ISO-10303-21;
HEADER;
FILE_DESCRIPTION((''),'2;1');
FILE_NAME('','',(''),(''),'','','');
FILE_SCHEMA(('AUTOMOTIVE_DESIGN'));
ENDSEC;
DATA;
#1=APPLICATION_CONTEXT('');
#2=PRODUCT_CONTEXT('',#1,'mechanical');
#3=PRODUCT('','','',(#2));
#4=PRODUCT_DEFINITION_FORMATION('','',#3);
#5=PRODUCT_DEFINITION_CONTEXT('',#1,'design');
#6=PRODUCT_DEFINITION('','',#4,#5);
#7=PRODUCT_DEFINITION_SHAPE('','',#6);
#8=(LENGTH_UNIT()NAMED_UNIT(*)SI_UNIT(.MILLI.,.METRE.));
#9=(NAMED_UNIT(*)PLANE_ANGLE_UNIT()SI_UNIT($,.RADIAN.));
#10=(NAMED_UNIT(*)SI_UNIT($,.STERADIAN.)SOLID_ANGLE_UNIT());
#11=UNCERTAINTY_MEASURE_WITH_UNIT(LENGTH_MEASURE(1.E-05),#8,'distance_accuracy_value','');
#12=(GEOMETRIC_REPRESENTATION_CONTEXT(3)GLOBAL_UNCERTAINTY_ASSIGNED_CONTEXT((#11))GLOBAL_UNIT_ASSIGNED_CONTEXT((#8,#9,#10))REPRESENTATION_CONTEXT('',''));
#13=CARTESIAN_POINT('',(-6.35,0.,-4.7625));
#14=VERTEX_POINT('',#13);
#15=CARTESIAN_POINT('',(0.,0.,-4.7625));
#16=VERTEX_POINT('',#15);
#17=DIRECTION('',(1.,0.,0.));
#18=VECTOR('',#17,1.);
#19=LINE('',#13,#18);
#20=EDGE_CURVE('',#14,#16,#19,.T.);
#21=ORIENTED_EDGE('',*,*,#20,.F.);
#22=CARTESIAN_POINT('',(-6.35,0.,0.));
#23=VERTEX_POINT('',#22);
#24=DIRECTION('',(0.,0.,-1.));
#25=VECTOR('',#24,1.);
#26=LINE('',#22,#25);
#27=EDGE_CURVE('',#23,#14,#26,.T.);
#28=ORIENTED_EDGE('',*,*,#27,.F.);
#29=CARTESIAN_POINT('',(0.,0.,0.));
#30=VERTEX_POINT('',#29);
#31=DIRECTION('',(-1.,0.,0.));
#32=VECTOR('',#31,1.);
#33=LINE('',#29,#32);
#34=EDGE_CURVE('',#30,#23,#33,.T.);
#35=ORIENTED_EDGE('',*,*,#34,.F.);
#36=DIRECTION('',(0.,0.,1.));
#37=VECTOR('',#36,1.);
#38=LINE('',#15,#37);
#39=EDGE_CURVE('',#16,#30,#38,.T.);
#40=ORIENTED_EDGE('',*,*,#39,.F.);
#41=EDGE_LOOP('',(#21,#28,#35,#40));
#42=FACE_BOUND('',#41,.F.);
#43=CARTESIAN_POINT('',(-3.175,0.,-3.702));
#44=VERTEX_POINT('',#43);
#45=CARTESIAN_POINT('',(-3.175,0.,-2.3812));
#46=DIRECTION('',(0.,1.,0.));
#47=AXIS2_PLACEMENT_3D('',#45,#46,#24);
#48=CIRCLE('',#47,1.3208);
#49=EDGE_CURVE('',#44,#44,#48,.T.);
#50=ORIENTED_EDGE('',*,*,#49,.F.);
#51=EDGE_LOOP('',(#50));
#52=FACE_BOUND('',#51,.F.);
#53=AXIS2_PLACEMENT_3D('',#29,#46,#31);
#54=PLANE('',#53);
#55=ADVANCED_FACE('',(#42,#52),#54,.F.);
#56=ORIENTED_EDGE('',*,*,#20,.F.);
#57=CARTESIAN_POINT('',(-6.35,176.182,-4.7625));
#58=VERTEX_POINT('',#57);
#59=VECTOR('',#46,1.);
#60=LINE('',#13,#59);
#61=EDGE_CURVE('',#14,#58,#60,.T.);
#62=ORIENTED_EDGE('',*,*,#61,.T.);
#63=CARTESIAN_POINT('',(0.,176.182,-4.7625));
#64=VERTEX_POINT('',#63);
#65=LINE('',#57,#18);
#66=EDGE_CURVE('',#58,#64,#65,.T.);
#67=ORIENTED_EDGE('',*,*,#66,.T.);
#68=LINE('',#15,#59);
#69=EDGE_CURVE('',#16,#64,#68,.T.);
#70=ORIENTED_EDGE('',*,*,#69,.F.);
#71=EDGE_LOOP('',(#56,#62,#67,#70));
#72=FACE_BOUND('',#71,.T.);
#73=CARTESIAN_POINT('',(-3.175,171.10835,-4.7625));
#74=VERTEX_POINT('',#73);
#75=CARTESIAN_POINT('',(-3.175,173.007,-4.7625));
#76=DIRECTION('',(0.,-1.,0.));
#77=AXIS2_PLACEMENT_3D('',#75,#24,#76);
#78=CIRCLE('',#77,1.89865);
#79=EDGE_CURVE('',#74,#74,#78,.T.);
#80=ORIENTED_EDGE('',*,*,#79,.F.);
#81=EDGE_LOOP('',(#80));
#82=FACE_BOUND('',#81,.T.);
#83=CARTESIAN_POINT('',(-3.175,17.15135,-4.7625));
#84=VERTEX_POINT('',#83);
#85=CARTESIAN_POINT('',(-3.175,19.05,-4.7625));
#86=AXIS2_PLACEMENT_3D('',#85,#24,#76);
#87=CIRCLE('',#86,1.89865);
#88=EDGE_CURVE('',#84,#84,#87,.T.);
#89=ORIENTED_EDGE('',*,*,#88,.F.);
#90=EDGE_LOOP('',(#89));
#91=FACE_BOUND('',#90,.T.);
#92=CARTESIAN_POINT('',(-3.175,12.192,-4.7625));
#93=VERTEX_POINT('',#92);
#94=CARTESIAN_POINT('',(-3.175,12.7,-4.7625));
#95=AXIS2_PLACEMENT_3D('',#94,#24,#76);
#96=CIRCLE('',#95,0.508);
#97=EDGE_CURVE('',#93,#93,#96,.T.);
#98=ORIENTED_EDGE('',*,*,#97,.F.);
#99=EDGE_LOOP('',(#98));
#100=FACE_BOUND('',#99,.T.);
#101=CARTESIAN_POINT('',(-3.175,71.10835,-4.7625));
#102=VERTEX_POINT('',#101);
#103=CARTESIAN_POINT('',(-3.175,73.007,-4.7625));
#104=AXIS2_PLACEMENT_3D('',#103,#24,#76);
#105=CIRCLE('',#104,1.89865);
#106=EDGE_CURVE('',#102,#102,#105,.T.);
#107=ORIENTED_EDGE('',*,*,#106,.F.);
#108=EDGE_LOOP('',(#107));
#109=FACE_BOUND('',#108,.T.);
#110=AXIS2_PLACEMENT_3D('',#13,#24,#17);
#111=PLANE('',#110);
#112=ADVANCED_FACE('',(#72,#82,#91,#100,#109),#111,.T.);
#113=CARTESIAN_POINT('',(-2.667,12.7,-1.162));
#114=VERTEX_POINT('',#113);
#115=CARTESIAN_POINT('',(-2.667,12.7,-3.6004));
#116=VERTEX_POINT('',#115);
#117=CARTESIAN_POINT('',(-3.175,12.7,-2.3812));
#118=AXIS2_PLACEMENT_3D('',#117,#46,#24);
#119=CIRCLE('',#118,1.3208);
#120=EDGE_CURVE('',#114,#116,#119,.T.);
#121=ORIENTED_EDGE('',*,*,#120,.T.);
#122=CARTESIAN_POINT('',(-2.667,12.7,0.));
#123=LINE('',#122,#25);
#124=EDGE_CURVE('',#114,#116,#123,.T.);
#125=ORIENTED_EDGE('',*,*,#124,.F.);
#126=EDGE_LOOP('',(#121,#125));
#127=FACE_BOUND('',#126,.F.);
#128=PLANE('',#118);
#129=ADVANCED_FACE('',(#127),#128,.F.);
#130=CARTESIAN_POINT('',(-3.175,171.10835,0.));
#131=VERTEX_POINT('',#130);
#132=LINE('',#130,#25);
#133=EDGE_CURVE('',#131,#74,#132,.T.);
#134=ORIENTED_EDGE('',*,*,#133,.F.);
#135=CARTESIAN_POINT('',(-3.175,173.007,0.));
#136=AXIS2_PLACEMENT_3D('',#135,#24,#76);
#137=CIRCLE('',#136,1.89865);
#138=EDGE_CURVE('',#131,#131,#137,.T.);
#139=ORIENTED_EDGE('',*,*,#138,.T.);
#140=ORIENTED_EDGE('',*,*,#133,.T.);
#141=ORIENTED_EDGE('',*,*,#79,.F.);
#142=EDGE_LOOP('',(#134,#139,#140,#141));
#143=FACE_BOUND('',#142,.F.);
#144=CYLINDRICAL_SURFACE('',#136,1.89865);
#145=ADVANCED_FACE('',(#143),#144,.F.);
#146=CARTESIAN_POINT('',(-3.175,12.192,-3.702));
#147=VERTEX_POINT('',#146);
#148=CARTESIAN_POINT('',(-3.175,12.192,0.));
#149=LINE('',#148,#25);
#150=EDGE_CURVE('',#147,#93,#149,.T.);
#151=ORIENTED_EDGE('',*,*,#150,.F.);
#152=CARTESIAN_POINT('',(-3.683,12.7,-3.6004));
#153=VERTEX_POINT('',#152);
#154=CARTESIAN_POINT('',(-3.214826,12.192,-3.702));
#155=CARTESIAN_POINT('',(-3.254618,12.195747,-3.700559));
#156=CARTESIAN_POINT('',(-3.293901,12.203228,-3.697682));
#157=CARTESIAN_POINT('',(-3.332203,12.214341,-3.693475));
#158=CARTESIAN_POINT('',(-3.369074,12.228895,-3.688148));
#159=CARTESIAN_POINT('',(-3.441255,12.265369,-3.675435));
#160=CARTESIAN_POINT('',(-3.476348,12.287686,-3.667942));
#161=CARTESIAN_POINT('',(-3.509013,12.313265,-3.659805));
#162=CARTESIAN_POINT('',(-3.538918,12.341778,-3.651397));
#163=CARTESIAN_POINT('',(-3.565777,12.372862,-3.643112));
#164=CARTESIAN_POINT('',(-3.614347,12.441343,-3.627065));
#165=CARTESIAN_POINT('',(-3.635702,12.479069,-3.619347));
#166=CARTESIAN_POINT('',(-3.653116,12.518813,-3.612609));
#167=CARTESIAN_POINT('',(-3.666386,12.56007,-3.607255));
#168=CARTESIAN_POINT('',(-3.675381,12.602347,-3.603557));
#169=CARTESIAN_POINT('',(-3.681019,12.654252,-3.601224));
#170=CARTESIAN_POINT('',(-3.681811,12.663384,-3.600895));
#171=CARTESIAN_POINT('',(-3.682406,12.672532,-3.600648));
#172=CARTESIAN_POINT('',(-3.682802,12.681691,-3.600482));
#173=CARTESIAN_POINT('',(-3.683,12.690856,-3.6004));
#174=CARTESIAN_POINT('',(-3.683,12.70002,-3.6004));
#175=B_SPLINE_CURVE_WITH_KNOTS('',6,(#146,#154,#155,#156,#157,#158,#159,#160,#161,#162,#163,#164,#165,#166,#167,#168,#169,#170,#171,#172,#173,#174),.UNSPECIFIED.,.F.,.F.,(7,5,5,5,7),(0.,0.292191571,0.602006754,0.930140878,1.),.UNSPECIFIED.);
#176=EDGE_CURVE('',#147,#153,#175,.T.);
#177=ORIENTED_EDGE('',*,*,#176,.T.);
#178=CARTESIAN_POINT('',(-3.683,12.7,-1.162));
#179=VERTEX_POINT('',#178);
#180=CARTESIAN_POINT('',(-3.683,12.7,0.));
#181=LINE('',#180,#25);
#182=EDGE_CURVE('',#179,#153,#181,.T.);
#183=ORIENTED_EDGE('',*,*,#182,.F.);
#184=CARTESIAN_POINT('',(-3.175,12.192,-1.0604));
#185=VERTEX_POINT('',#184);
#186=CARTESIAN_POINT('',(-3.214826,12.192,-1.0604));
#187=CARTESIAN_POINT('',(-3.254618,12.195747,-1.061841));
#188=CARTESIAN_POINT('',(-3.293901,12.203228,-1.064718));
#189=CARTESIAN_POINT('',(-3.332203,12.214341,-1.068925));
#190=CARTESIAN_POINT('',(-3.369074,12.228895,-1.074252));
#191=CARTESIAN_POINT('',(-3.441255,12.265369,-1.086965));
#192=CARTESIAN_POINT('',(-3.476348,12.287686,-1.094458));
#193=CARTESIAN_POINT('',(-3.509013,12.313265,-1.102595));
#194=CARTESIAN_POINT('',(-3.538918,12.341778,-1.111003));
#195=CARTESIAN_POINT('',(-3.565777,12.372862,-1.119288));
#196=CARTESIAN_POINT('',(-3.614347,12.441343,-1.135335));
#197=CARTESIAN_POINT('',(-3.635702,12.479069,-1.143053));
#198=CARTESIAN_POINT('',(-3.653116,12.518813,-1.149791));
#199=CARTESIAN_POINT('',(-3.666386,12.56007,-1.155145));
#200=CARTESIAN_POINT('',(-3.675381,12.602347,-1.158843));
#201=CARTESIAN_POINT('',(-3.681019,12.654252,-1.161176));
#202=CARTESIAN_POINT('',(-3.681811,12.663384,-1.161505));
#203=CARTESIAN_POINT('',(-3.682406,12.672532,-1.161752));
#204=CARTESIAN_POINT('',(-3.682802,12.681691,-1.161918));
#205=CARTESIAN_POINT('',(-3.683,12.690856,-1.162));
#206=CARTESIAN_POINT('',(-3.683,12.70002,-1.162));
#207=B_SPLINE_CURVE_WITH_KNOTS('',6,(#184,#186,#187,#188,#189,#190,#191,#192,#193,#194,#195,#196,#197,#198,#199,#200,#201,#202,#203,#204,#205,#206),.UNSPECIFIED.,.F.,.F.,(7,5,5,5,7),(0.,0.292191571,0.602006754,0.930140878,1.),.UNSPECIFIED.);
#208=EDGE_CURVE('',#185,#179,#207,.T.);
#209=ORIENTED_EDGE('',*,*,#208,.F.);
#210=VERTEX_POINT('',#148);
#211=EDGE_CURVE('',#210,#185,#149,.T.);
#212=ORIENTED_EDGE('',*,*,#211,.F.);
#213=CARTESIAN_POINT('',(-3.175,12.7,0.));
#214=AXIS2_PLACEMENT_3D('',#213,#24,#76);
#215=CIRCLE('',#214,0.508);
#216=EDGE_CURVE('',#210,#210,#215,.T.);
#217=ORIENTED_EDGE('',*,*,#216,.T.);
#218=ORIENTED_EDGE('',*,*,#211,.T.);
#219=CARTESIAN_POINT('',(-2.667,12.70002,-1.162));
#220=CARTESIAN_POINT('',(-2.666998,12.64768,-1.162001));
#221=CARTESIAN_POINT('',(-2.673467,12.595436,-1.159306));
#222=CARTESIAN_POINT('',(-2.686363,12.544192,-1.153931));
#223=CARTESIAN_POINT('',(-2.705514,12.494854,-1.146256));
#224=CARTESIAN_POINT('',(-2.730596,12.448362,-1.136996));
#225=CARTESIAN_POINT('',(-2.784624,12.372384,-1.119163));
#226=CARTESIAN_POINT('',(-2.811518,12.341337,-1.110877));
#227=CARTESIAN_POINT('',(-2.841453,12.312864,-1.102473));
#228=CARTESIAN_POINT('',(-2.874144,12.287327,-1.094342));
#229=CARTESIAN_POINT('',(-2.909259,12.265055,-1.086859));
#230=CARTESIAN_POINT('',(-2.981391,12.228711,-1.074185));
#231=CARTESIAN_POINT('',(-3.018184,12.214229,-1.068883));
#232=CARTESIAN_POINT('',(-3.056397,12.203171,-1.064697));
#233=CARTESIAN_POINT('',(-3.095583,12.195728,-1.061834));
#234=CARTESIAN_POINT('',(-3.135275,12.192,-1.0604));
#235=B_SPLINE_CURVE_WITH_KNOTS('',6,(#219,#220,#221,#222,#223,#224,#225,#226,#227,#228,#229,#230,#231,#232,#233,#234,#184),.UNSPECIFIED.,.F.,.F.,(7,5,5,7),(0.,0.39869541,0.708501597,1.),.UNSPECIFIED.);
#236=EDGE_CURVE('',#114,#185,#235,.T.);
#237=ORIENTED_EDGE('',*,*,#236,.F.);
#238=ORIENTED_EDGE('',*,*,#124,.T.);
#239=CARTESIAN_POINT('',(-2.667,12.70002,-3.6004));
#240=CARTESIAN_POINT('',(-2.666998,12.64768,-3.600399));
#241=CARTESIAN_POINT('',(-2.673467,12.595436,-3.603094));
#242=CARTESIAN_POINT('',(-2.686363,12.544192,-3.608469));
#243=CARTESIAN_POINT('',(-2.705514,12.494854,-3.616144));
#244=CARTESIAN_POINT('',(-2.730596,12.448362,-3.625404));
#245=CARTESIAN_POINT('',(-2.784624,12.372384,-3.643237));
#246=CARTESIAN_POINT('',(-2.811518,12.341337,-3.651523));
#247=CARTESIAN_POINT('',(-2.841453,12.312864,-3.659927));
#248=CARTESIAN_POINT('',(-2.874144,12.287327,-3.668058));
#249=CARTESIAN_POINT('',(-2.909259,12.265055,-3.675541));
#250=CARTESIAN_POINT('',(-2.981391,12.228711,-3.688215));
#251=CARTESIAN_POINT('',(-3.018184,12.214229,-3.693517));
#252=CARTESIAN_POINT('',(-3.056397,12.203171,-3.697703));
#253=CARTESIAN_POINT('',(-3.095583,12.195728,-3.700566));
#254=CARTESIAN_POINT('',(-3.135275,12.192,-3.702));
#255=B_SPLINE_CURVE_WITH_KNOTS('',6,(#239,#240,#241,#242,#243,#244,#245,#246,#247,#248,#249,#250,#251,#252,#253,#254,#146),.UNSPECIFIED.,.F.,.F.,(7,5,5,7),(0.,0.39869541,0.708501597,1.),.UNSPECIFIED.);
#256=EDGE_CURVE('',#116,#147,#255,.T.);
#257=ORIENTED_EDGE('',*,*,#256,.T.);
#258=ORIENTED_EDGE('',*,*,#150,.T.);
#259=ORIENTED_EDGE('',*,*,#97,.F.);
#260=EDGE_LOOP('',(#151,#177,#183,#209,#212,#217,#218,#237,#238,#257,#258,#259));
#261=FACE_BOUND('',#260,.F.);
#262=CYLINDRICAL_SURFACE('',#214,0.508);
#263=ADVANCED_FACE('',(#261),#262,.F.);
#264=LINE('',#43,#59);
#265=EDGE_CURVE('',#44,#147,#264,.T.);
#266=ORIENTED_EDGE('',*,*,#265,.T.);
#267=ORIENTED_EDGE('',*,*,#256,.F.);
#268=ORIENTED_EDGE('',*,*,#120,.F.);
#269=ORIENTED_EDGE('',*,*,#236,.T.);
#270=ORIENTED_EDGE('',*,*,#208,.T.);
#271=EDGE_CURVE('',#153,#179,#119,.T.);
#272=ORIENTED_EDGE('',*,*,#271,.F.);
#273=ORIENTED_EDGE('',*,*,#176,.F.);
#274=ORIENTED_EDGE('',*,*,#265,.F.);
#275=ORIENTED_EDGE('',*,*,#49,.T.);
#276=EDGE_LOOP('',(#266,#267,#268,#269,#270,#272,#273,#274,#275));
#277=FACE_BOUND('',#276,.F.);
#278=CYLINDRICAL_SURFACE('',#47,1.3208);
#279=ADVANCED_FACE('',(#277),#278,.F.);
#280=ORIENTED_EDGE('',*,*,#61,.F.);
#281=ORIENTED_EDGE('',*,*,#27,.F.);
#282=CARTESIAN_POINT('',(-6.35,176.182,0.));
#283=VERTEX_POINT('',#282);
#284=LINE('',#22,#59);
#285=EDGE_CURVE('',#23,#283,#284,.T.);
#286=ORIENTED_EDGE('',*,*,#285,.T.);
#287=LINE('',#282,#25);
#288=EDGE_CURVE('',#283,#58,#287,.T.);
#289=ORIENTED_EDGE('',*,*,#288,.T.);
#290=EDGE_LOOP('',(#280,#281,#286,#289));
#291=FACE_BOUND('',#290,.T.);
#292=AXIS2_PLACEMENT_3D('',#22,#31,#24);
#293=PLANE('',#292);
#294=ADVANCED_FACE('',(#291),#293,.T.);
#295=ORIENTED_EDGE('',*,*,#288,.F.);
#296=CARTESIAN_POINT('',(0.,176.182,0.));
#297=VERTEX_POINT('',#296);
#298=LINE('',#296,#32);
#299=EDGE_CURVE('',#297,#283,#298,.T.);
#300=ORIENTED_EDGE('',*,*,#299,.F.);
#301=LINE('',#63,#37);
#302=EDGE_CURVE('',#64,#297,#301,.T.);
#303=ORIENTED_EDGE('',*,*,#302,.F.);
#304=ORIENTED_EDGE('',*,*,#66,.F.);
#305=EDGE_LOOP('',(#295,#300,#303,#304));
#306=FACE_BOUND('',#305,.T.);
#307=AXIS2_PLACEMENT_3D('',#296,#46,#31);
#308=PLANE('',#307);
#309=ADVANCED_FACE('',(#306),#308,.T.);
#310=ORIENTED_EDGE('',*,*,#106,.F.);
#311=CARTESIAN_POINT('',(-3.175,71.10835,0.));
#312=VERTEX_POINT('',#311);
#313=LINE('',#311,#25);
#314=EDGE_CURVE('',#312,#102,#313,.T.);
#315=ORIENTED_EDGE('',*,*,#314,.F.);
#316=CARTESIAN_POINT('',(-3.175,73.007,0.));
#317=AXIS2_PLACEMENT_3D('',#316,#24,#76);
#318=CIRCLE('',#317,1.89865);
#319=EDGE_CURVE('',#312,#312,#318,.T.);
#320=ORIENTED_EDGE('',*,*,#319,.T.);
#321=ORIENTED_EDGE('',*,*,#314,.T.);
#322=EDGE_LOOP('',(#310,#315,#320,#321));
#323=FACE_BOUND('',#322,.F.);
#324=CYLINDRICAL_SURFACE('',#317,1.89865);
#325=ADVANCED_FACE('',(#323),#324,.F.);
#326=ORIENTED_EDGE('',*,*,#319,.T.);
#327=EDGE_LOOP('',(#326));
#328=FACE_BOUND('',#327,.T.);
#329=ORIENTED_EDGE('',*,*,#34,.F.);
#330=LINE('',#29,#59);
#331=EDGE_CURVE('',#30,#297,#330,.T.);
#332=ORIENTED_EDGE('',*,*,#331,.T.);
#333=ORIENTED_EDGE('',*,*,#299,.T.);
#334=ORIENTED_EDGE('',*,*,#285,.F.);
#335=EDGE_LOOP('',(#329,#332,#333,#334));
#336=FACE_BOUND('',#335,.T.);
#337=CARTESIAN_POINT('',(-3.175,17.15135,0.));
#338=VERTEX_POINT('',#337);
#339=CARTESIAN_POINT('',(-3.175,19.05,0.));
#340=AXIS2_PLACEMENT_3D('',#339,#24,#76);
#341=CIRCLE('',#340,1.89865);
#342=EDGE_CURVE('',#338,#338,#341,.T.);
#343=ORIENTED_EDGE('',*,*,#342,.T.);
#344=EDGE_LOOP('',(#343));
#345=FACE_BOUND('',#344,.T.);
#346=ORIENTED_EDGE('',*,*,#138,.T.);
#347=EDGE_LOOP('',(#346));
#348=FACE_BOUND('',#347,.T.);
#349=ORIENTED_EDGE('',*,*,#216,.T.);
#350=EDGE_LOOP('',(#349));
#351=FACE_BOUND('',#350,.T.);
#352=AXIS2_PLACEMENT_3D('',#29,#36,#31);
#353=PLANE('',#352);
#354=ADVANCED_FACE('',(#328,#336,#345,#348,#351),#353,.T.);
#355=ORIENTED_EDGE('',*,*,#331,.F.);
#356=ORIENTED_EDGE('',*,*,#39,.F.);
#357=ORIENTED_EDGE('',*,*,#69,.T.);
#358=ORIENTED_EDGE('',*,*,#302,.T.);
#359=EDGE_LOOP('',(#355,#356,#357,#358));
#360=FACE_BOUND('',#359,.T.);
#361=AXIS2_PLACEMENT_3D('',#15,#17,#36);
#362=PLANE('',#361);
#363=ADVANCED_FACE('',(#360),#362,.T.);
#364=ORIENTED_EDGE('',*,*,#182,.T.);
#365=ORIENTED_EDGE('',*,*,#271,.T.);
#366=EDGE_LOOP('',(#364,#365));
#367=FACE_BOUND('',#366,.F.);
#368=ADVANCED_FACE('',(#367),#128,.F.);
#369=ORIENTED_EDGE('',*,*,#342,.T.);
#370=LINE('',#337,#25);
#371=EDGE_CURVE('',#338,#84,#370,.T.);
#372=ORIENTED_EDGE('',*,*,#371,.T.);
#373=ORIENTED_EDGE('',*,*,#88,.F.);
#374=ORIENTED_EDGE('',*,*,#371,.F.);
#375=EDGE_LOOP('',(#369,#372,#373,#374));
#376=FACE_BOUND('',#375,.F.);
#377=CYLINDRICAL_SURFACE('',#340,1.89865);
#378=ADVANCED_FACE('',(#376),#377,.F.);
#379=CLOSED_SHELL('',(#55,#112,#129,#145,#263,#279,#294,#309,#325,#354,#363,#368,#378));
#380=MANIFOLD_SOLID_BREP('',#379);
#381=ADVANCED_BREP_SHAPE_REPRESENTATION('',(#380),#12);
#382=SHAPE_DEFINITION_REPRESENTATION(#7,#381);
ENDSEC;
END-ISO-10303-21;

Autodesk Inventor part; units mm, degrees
ref_plane "YZ Plane" through (0, 0, 0) normal (1, 0, 0) x (0, 1, 0)
ref_plane "XZ Plane" through (0, 0, 0) normal (0, 1, 0) x (-1, 0, 0)
ref_plane "XY Plane" through (0, 0, 0) normal (0, 0, 1) x (1, 0, 0)
sketch "Sketch1" plane through (0, 0, 0) normal (0, 1, 0) x (-1, 0, 0)
  line L0 (0, 0) -> (6.35, 0)
  line L1 (6.35, 0) -> (6.35, -4.7625)
  line L2 (6.35, -4.7625) -> (0, -4.7625)
  line L3 (0, -4.7625) -> (0, 0)
  circle A0 centre (3.175, -2.3812) radius 1.7526
  dimension "d0" = 6.35
  dimension "d1" = 4.7625
  dimension "d2" = 3.5052
extrude "Extrusion1" add sketch "Sketch1" along normal blind 176.182 contours L0 L1 L2 L3 | A0
sketch "Sketch2" plane through (-6.35, 0, 0) normal (0, 0, 1) x (1, 0, 0)
  line L0 (6.35, 176.182) -> (0, 176.182) projected
  line L1 (3.175, 176.182) -> (3.175, 173.007)
  circle A0 centre (3.175, 173.007) radius 1.7526
  line L2 (6.35, 0) -> (0, 0) projected
  line L3 (3.175, 0) -> (3.175, 19.05)
  circle A1 centre (3.175, 19.05) radius 1.7526
  line L4 (3.175, 0) -> (3.175, 12.7)
  circle A2 centre (3.175, 12.7) radius 0.508
  line L5 (3.175, 173.007) -> (3.175, 73.007)
  circle A3 centre (3.175, 73.007) radius 1.7526
  dimension "d5" = 3.175
  dimension "d6" = 3.5052
  dimension "d14" = 19.05
  dimension "d15" = 3.5052
  dimension "d16" = 12.7
  dimension "d17" = 1.016
  dimension "d47" = 100.0001
  dimension "d48" = 3.5052
hole "Hole2" at (-3.175, 19.05, 0) direction (0, 0, -1) diameter 3.7973 end through all clearance for "Flat Head Machine Screw (82)" size "#6" standard "Ansi Unified Screw Threads"
hole "Hole3" at (-3.175, 12.7, 0) direction (0, 0, -1) diameter 1.016 end through all
hole "Hole4" at (-3.175, 173.007, 0) direction (0, 0, -1) diameter 3.7973 end through all clearance for "Flat Head Machine Screw (82)" size "#6" standard "Ansi Unified Screw Threads"
sketch "Sketch3" plane through (0, 0, 0) normal (0, -1, 0) x (1, 0, 0)
  line L0 (0, -4.7625) -> (-6.35, -4.7625) projected
  line L1 (-6.35, -4.7625) -> (0, 0)
  circle A0 centre (-3.175, -2.3812) radius 1.3208
  dimension "d39" = 2.6416
hole "Hole5" at (-3.175, 0, -2.3812) direction (0, 1, 0) diameter 2.6416 depth 12.7 thread size "6-32 UNC" class "2B" standard "ANSI Unified Screw Threads"
hole "Hole6" at (-3.175, 73.007, 0) direction (0, 0, -1) diameter 3.7973 end through all clearance for "Flat Head Machine Screw (82)" size "#6" standard "Ansi Unified Screw Threads"
properties part number "rod(6-32)"
